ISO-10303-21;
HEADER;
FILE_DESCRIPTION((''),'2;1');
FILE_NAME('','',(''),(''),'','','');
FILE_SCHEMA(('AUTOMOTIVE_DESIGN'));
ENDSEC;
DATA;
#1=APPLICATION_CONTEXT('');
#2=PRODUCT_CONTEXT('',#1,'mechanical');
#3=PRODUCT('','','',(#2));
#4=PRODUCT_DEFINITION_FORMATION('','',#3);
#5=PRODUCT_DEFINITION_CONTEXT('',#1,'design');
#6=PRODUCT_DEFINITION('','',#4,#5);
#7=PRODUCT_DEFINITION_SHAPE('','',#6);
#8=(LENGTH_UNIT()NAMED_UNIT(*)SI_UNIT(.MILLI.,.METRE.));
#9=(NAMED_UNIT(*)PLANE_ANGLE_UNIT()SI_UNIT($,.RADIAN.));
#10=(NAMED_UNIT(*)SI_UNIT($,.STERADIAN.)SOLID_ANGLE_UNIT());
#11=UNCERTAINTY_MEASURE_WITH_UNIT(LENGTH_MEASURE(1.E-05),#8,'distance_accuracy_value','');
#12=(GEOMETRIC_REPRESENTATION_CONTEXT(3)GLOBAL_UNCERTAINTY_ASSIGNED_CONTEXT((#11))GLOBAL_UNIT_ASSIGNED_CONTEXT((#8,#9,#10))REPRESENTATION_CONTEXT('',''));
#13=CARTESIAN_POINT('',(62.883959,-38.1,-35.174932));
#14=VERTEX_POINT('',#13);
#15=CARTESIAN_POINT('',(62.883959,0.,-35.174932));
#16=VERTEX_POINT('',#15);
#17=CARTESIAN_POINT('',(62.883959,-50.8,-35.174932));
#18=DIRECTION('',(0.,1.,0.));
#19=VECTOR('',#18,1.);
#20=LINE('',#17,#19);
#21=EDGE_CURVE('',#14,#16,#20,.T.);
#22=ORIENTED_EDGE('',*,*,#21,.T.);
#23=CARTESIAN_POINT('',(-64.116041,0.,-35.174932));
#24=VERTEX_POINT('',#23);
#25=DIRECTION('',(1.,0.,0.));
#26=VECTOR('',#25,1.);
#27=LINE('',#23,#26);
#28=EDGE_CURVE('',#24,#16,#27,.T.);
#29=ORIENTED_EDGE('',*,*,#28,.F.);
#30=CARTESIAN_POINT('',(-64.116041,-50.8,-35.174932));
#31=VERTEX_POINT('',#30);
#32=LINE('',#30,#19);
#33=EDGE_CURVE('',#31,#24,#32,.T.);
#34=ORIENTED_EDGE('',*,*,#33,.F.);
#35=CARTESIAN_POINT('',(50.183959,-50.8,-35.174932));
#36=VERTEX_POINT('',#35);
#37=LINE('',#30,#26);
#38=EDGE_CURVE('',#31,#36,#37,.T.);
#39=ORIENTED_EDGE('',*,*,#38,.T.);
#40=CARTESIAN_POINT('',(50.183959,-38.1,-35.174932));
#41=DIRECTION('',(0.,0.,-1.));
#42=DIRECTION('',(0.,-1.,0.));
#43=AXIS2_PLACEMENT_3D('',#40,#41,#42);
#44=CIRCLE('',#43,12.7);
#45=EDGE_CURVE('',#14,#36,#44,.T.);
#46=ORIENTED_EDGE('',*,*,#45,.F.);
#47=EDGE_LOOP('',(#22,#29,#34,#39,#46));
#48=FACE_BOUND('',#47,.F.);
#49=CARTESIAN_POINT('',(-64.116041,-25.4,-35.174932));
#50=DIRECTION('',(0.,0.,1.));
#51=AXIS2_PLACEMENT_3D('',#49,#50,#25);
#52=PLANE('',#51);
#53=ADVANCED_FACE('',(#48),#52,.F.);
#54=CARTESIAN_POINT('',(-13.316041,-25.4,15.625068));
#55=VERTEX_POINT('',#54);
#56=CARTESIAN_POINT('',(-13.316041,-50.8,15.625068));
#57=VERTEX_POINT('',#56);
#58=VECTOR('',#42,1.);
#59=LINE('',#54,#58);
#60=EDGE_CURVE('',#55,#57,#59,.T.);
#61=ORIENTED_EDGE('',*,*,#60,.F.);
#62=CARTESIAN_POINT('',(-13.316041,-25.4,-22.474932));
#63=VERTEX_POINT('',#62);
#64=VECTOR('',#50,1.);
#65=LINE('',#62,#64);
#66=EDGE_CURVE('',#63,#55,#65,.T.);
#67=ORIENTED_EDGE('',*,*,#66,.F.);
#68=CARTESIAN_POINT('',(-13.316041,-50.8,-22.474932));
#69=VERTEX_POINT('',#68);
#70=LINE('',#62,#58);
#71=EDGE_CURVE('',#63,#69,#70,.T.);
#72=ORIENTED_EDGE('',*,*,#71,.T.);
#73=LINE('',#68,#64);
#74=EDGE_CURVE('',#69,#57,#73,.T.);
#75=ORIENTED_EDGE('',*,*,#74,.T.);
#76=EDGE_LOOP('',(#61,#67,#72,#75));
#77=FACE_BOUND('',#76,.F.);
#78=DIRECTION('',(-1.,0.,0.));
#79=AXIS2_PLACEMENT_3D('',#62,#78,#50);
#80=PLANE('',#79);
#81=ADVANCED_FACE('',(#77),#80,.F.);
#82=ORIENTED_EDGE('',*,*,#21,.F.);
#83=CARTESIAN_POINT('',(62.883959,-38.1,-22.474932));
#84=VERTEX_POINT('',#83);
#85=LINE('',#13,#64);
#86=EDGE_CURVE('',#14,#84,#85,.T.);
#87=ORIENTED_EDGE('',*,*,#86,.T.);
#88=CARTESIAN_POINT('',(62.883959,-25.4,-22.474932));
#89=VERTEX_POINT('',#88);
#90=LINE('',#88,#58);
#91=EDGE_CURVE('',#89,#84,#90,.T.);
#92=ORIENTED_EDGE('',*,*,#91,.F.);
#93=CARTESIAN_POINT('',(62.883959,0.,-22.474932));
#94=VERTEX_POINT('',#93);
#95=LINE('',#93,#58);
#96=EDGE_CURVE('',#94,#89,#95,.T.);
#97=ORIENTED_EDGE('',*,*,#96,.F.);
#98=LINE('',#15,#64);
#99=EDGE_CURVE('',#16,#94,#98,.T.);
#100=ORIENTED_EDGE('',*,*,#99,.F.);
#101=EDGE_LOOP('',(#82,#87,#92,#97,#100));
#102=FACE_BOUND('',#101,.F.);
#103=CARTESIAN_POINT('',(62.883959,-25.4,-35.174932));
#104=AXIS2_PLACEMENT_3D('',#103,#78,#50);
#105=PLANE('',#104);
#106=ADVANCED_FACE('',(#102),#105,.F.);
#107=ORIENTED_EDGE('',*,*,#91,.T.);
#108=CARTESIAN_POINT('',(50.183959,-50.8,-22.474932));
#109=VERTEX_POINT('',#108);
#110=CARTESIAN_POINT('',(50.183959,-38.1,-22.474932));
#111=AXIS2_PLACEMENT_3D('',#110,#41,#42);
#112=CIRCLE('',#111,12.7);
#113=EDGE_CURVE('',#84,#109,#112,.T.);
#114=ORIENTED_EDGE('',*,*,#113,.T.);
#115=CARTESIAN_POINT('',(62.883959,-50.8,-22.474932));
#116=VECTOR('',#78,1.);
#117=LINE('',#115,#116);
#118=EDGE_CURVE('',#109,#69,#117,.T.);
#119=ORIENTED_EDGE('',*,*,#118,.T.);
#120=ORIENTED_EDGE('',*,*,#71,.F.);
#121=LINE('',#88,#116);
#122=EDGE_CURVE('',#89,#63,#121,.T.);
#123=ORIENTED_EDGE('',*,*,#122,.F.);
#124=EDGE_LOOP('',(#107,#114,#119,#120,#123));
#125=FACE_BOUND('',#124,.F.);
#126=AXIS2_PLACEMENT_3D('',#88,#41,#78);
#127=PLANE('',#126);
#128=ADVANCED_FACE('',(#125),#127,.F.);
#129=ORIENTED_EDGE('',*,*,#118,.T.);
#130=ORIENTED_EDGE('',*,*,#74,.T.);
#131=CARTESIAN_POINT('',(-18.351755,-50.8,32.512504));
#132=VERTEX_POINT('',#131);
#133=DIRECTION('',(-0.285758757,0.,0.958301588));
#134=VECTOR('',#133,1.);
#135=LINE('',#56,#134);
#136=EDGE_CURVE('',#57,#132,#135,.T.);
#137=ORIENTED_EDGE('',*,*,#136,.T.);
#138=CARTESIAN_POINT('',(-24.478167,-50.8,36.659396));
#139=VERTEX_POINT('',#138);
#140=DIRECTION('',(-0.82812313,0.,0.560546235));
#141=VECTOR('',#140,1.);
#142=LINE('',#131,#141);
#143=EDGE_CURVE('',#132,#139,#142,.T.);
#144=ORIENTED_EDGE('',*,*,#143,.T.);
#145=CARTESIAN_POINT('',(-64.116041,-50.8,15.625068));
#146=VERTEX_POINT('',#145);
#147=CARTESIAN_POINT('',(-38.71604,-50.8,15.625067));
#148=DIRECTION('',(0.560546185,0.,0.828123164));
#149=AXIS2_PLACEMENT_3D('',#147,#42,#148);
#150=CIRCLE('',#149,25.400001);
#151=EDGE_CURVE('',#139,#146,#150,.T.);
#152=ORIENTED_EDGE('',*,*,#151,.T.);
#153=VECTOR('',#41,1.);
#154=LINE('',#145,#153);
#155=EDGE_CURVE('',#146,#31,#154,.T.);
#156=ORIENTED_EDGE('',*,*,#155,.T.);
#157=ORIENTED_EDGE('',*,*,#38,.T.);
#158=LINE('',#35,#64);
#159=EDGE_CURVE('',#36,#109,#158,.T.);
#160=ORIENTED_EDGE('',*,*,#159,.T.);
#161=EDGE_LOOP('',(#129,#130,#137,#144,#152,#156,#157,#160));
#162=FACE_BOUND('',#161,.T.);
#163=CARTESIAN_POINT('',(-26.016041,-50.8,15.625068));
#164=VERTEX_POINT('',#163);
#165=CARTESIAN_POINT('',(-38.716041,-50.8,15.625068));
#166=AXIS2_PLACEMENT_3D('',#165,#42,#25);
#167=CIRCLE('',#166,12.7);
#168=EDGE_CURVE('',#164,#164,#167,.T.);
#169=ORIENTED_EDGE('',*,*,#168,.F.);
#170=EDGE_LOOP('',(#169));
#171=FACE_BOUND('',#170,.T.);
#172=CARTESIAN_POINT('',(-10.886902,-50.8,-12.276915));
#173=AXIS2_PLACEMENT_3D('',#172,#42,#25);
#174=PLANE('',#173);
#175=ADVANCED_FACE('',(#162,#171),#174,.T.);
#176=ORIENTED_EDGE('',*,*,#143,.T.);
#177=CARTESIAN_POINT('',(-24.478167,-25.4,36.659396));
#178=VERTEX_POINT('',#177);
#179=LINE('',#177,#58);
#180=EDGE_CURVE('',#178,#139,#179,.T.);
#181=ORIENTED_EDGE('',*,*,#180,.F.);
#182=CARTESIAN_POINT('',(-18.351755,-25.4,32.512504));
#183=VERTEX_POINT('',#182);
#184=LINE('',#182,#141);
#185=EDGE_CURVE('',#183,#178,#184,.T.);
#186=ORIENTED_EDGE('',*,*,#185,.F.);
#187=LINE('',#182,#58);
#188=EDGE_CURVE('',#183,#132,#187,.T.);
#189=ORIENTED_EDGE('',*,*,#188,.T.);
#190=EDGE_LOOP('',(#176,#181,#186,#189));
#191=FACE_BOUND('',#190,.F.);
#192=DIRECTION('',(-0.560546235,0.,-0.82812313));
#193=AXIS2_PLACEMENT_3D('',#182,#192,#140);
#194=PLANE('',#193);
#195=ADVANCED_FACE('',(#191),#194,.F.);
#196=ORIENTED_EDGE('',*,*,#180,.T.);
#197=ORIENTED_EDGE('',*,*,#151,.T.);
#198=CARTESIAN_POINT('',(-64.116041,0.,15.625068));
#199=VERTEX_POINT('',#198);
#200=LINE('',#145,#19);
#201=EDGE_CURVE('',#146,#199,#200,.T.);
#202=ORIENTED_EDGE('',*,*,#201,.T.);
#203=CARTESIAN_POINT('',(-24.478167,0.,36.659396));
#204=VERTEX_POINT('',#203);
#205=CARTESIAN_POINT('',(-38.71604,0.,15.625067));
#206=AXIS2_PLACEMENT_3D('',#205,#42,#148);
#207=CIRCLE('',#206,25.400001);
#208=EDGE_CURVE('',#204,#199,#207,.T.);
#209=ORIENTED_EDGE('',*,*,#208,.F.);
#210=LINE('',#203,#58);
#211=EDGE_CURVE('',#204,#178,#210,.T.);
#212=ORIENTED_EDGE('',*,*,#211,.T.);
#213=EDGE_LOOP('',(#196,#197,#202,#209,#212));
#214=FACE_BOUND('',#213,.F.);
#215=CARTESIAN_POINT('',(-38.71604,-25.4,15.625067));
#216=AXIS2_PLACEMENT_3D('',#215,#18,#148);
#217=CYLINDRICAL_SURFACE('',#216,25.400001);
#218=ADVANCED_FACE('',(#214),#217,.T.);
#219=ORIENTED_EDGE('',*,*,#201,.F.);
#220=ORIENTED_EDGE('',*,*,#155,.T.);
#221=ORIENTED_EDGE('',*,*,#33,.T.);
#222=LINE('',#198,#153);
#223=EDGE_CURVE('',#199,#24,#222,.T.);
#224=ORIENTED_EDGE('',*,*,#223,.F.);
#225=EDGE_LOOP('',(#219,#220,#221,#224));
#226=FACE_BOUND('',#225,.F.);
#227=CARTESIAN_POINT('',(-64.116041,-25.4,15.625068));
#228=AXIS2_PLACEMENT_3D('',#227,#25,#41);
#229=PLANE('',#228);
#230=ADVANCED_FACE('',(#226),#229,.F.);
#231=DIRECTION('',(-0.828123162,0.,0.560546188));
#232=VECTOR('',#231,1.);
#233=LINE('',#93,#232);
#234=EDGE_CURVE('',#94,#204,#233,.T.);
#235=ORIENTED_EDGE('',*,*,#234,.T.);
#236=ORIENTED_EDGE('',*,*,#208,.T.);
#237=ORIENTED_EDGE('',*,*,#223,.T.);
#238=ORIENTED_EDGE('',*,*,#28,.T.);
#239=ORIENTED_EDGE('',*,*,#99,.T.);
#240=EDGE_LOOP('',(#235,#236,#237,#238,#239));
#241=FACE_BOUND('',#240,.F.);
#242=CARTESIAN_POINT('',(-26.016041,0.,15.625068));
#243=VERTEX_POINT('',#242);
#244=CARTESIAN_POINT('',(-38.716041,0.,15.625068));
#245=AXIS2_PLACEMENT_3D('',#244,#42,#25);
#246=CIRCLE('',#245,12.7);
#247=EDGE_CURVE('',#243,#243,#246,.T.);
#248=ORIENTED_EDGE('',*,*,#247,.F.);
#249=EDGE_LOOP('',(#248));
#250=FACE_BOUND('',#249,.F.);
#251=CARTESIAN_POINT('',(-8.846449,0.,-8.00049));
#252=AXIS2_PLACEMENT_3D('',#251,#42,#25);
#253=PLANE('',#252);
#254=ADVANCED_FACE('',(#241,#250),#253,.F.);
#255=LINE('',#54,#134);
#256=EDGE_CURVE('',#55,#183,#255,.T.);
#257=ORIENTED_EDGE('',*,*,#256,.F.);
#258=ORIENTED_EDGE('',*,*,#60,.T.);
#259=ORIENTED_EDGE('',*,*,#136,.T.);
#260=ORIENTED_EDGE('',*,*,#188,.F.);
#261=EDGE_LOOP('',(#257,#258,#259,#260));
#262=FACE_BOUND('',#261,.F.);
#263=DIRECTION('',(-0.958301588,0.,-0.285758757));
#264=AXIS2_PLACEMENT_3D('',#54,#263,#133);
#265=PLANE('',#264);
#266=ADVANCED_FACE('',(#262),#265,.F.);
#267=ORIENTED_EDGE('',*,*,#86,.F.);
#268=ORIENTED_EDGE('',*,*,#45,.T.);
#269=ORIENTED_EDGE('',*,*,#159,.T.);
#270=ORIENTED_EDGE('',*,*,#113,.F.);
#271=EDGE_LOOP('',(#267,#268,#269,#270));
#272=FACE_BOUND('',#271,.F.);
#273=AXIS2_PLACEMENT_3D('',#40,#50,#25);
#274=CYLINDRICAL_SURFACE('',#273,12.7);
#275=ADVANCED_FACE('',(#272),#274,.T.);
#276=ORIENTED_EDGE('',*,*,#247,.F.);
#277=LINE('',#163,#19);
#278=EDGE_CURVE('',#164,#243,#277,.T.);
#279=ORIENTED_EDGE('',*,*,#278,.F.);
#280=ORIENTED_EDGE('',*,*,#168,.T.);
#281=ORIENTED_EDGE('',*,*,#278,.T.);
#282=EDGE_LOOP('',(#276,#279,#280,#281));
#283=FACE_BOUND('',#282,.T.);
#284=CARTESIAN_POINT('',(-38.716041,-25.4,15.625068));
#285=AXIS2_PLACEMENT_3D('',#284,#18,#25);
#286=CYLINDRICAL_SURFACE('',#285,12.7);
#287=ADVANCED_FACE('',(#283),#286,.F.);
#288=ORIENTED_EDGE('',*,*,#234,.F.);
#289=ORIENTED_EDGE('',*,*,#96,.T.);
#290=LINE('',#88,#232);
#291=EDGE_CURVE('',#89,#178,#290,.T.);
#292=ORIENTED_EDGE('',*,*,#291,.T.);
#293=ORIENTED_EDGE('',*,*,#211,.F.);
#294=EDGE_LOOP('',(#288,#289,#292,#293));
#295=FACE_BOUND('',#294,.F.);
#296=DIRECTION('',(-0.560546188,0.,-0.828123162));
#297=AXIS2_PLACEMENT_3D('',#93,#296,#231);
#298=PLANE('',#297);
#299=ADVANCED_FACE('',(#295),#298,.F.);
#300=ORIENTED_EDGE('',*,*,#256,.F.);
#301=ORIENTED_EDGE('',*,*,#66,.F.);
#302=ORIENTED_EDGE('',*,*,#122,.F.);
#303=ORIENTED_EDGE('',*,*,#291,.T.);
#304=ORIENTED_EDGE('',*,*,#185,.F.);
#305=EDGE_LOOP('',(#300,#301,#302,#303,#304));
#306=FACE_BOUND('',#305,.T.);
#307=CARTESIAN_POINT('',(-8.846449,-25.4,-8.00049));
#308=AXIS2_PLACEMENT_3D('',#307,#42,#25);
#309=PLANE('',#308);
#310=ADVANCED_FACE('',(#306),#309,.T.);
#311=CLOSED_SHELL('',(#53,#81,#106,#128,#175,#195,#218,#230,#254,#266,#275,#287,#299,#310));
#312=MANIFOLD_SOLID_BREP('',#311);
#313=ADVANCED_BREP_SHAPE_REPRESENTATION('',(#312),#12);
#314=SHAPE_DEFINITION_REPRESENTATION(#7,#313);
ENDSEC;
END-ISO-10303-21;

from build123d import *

# Parameters (mm, degrees)
F0_R     = 12.7
F1_DEPTH = 25.4
F2_R     = 12.7
F3_DEPTH = 25.4
F4_R     = 12.7


with BuildPart() as f1:
    # F0 (on Front) → F1 (new body)
    with BuildSketch(Plane.XZ):
        with BuildLine():
            Line((62.883959, -22.474932), (-24.478167, 36.659396))
            ThreePointArc((-24.478167, 36.659396), (-50.6223, 38.061667), (-64.116041, 15.625068))
            Line((-64.116041, 15.625068), (-64.116041, -35.174932))
            Line((-64.116041, -35.174932), (62.883959, -35.174932))
            Line((62.883959, -35.174932), (62.883959, -22.474932))
        make_face()
        with Locations((-38.716041, 15.625068)):
            Circle(F0_R, mode=Mode.SUBTRACT)
    extrude(amount=F1_DEPTH)

    # F2 (on face) → F3 (join)
    with BuildSketch(Plane.XZ.offset(25.4)):
        with BuildLine():
            Line((62.883959, -35.174932), (62.883959, -22.474932))
            Line((62.883959, -22.474932), (-13.316041, -22.474932))
            Line((-13.316041, -22.474932), (-13.316041, 15.625068))
            Line((-13.316041, 15.625068), (-18.351755, 32.512504))
            Line((-18.351755, 32.512504), (-24.478167, 36.659396))
            ThreePointArc((-24.478167, 36.659396), (-50.6223, 38.061667), (-64.116041, 15.625068))
            Line((-64.116041, 15.625068), (-64.116041, -22.474932))
            Line((-64.116041, -22.474932), (-64.116041, -35.174932))
            Line((-64.116041, -35.174932), (62.883959, -35.174932))
        make_face()
        with Locations((-38.716041, 15.625068)):
            Circle(F2_R, mode=Mode.SUBTRACT)
    extrude(amount=F3_DEPTH)

    # F4
    f4_edges = [f1.edges().sort_by_distance(p)[0] for p in [
        (62.883959, -50.8, -28.824932),
    ]]
    fillet(f4_edges, radius=F4_R)


solid = f1.part
